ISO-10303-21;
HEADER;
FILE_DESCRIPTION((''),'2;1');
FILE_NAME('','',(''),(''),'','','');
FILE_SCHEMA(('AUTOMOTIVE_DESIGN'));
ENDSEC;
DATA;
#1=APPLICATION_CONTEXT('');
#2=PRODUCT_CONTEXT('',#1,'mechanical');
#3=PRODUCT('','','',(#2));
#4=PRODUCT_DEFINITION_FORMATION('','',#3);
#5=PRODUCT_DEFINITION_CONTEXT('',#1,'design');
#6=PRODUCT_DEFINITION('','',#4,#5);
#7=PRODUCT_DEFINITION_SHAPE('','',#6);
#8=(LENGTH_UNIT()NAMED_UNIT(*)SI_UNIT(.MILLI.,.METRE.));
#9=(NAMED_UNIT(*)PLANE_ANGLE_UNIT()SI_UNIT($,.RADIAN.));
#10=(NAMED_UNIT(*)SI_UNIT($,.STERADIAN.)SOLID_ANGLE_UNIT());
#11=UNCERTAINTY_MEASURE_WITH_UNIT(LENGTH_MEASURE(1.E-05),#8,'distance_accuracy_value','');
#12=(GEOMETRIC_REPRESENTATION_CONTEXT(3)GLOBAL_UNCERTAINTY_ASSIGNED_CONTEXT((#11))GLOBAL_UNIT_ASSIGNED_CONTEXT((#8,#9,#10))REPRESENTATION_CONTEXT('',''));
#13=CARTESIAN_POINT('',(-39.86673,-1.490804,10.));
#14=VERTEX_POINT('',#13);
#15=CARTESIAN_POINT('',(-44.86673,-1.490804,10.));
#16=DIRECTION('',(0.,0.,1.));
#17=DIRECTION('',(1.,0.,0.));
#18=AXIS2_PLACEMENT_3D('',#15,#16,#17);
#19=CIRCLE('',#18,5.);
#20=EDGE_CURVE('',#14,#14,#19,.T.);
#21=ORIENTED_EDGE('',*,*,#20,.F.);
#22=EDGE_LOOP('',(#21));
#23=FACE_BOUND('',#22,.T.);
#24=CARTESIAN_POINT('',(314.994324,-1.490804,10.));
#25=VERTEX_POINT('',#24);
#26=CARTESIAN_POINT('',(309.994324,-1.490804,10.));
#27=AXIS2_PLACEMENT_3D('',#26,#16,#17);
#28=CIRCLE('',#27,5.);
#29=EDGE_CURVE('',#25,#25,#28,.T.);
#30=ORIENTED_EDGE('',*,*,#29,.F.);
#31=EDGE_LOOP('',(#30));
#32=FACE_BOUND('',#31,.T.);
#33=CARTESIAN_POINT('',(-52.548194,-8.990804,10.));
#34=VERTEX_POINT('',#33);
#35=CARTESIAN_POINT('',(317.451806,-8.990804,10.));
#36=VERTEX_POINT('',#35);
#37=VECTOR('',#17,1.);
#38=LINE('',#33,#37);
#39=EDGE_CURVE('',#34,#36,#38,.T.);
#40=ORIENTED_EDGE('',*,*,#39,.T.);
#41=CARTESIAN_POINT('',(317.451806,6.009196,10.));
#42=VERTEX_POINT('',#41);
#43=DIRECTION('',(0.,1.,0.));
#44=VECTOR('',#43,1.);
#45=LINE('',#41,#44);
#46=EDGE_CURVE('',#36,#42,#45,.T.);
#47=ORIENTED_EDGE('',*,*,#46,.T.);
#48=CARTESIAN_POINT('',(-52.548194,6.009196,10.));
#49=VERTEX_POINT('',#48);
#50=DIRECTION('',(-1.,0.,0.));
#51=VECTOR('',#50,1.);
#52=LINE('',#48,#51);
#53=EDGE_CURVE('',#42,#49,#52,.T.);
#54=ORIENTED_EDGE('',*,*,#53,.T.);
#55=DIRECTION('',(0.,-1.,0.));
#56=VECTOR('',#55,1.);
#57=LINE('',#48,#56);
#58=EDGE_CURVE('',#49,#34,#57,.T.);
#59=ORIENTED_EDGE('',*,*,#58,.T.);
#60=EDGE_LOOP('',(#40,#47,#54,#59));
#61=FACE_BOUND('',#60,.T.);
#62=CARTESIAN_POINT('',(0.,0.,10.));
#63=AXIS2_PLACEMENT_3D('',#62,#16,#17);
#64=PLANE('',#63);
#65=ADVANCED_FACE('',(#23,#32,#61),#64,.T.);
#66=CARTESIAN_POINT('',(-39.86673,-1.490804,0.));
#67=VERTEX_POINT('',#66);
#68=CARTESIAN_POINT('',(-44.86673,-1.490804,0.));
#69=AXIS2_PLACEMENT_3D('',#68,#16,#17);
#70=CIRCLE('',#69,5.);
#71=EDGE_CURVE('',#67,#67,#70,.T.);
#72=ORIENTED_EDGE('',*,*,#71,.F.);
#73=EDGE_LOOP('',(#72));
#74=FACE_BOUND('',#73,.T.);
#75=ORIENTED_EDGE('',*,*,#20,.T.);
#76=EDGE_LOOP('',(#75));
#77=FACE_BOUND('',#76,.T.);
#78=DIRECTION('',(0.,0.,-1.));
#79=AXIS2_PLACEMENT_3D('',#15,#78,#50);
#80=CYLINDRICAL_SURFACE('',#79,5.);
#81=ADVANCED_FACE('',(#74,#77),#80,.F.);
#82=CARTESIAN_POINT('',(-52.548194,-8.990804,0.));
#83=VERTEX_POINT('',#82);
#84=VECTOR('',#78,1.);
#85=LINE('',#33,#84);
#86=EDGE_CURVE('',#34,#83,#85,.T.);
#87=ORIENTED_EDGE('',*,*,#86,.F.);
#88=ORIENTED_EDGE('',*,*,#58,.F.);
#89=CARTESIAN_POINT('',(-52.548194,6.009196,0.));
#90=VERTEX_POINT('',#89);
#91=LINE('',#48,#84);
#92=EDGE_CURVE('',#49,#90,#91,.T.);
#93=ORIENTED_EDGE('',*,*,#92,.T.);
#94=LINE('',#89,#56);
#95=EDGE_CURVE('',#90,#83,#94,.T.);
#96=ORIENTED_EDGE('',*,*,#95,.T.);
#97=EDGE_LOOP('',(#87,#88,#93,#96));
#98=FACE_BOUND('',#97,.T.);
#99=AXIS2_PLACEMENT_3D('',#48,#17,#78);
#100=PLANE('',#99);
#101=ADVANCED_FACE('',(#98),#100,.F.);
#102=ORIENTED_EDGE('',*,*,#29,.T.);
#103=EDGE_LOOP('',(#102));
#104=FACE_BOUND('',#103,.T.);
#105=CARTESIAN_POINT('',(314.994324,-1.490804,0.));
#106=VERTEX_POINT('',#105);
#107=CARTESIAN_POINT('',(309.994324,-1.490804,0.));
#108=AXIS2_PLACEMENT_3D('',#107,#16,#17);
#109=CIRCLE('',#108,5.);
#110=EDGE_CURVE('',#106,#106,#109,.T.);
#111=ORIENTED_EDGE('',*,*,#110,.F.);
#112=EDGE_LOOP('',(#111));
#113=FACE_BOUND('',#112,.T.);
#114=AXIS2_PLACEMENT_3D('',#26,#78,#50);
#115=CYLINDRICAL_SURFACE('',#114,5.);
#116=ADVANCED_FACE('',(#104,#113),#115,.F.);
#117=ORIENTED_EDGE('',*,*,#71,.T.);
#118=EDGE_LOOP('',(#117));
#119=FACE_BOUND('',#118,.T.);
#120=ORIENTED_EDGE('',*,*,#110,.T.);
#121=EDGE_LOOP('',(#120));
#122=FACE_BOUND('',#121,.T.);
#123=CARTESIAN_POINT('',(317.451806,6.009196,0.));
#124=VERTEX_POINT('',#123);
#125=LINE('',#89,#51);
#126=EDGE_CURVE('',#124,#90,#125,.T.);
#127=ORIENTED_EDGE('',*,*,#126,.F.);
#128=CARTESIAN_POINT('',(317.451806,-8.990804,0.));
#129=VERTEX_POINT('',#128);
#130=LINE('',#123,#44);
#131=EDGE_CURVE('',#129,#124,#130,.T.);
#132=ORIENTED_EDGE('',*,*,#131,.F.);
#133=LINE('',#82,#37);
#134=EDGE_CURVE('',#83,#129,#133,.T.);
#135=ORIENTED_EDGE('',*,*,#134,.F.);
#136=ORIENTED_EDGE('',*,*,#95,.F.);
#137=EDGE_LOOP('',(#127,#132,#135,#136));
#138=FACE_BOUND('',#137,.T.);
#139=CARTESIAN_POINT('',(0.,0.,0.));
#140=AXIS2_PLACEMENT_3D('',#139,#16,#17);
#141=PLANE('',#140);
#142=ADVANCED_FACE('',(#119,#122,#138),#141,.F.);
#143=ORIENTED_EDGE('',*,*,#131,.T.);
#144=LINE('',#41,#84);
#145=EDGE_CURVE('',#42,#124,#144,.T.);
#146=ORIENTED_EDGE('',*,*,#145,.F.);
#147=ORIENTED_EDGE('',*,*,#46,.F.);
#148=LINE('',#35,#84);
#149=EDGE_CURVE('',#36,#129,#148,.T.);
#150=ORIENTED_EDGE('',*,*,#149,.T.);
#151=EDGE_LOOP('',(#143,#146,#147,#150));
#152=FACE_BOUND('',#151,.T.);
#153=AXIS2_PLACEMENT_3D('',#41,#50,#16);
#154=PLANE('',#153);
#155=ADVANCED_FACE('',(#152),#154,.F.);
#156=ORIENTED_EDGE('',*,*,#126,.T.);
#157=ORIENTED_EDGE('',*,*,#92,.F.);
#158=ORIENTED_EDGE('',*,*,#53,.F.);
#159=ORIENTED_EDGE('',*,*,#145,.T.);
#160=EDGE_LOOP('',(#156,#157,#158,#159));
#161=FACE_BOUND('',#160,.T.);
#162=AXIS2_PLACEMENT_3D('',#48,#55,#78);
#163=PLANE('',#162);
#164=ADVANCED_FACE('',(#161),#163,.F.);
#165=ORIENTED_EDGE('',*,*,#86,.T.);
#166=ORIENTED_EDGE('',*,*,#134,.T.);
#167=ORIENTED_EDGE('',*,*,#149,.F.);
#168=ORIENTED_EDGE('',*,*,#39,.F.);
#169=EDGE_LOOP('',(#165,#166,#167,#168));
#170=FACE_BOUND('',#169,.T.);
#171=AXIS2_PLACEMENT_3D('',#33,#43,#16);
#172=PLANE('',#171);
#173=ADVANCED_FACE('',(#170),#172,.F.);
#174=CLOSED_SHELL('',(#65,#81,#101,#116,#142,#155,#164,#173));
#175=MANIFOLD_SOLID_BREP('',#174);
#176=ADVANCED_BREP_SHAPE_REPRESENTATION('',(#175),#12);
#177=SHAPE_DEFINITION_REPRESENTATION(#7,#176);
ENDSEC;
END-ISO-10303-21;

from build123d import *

# Parameters (mm, degrees)
SKETCH_1_W      = 370
SKETCH_1_H      = 15
SKETCH_1_R      = 5
EXTRUDE_1_DEPTH = 10


with BuildPart() as part:
    # 草图1 → 凸台-拉伸1 (new body)
    with BuildSketch(Plane.XY):
        with Locations((132.451805946, -1.490803966)):
            Rectangle(SKETCH_1_W, SKETCH_1_H)
        with Locations((-44.866730471, -1.490803966)):
            Circle(SKETCH_1_R, mode=Mode.SUBTRACT)
        with Locations((309.994324272, -1.490803966)):
            Circle(SKETCH_1_R, mode=Mode.SUBTRACT)
    extrude(amount=EXTRUDE_1_DEPTH)


solid = part.part
